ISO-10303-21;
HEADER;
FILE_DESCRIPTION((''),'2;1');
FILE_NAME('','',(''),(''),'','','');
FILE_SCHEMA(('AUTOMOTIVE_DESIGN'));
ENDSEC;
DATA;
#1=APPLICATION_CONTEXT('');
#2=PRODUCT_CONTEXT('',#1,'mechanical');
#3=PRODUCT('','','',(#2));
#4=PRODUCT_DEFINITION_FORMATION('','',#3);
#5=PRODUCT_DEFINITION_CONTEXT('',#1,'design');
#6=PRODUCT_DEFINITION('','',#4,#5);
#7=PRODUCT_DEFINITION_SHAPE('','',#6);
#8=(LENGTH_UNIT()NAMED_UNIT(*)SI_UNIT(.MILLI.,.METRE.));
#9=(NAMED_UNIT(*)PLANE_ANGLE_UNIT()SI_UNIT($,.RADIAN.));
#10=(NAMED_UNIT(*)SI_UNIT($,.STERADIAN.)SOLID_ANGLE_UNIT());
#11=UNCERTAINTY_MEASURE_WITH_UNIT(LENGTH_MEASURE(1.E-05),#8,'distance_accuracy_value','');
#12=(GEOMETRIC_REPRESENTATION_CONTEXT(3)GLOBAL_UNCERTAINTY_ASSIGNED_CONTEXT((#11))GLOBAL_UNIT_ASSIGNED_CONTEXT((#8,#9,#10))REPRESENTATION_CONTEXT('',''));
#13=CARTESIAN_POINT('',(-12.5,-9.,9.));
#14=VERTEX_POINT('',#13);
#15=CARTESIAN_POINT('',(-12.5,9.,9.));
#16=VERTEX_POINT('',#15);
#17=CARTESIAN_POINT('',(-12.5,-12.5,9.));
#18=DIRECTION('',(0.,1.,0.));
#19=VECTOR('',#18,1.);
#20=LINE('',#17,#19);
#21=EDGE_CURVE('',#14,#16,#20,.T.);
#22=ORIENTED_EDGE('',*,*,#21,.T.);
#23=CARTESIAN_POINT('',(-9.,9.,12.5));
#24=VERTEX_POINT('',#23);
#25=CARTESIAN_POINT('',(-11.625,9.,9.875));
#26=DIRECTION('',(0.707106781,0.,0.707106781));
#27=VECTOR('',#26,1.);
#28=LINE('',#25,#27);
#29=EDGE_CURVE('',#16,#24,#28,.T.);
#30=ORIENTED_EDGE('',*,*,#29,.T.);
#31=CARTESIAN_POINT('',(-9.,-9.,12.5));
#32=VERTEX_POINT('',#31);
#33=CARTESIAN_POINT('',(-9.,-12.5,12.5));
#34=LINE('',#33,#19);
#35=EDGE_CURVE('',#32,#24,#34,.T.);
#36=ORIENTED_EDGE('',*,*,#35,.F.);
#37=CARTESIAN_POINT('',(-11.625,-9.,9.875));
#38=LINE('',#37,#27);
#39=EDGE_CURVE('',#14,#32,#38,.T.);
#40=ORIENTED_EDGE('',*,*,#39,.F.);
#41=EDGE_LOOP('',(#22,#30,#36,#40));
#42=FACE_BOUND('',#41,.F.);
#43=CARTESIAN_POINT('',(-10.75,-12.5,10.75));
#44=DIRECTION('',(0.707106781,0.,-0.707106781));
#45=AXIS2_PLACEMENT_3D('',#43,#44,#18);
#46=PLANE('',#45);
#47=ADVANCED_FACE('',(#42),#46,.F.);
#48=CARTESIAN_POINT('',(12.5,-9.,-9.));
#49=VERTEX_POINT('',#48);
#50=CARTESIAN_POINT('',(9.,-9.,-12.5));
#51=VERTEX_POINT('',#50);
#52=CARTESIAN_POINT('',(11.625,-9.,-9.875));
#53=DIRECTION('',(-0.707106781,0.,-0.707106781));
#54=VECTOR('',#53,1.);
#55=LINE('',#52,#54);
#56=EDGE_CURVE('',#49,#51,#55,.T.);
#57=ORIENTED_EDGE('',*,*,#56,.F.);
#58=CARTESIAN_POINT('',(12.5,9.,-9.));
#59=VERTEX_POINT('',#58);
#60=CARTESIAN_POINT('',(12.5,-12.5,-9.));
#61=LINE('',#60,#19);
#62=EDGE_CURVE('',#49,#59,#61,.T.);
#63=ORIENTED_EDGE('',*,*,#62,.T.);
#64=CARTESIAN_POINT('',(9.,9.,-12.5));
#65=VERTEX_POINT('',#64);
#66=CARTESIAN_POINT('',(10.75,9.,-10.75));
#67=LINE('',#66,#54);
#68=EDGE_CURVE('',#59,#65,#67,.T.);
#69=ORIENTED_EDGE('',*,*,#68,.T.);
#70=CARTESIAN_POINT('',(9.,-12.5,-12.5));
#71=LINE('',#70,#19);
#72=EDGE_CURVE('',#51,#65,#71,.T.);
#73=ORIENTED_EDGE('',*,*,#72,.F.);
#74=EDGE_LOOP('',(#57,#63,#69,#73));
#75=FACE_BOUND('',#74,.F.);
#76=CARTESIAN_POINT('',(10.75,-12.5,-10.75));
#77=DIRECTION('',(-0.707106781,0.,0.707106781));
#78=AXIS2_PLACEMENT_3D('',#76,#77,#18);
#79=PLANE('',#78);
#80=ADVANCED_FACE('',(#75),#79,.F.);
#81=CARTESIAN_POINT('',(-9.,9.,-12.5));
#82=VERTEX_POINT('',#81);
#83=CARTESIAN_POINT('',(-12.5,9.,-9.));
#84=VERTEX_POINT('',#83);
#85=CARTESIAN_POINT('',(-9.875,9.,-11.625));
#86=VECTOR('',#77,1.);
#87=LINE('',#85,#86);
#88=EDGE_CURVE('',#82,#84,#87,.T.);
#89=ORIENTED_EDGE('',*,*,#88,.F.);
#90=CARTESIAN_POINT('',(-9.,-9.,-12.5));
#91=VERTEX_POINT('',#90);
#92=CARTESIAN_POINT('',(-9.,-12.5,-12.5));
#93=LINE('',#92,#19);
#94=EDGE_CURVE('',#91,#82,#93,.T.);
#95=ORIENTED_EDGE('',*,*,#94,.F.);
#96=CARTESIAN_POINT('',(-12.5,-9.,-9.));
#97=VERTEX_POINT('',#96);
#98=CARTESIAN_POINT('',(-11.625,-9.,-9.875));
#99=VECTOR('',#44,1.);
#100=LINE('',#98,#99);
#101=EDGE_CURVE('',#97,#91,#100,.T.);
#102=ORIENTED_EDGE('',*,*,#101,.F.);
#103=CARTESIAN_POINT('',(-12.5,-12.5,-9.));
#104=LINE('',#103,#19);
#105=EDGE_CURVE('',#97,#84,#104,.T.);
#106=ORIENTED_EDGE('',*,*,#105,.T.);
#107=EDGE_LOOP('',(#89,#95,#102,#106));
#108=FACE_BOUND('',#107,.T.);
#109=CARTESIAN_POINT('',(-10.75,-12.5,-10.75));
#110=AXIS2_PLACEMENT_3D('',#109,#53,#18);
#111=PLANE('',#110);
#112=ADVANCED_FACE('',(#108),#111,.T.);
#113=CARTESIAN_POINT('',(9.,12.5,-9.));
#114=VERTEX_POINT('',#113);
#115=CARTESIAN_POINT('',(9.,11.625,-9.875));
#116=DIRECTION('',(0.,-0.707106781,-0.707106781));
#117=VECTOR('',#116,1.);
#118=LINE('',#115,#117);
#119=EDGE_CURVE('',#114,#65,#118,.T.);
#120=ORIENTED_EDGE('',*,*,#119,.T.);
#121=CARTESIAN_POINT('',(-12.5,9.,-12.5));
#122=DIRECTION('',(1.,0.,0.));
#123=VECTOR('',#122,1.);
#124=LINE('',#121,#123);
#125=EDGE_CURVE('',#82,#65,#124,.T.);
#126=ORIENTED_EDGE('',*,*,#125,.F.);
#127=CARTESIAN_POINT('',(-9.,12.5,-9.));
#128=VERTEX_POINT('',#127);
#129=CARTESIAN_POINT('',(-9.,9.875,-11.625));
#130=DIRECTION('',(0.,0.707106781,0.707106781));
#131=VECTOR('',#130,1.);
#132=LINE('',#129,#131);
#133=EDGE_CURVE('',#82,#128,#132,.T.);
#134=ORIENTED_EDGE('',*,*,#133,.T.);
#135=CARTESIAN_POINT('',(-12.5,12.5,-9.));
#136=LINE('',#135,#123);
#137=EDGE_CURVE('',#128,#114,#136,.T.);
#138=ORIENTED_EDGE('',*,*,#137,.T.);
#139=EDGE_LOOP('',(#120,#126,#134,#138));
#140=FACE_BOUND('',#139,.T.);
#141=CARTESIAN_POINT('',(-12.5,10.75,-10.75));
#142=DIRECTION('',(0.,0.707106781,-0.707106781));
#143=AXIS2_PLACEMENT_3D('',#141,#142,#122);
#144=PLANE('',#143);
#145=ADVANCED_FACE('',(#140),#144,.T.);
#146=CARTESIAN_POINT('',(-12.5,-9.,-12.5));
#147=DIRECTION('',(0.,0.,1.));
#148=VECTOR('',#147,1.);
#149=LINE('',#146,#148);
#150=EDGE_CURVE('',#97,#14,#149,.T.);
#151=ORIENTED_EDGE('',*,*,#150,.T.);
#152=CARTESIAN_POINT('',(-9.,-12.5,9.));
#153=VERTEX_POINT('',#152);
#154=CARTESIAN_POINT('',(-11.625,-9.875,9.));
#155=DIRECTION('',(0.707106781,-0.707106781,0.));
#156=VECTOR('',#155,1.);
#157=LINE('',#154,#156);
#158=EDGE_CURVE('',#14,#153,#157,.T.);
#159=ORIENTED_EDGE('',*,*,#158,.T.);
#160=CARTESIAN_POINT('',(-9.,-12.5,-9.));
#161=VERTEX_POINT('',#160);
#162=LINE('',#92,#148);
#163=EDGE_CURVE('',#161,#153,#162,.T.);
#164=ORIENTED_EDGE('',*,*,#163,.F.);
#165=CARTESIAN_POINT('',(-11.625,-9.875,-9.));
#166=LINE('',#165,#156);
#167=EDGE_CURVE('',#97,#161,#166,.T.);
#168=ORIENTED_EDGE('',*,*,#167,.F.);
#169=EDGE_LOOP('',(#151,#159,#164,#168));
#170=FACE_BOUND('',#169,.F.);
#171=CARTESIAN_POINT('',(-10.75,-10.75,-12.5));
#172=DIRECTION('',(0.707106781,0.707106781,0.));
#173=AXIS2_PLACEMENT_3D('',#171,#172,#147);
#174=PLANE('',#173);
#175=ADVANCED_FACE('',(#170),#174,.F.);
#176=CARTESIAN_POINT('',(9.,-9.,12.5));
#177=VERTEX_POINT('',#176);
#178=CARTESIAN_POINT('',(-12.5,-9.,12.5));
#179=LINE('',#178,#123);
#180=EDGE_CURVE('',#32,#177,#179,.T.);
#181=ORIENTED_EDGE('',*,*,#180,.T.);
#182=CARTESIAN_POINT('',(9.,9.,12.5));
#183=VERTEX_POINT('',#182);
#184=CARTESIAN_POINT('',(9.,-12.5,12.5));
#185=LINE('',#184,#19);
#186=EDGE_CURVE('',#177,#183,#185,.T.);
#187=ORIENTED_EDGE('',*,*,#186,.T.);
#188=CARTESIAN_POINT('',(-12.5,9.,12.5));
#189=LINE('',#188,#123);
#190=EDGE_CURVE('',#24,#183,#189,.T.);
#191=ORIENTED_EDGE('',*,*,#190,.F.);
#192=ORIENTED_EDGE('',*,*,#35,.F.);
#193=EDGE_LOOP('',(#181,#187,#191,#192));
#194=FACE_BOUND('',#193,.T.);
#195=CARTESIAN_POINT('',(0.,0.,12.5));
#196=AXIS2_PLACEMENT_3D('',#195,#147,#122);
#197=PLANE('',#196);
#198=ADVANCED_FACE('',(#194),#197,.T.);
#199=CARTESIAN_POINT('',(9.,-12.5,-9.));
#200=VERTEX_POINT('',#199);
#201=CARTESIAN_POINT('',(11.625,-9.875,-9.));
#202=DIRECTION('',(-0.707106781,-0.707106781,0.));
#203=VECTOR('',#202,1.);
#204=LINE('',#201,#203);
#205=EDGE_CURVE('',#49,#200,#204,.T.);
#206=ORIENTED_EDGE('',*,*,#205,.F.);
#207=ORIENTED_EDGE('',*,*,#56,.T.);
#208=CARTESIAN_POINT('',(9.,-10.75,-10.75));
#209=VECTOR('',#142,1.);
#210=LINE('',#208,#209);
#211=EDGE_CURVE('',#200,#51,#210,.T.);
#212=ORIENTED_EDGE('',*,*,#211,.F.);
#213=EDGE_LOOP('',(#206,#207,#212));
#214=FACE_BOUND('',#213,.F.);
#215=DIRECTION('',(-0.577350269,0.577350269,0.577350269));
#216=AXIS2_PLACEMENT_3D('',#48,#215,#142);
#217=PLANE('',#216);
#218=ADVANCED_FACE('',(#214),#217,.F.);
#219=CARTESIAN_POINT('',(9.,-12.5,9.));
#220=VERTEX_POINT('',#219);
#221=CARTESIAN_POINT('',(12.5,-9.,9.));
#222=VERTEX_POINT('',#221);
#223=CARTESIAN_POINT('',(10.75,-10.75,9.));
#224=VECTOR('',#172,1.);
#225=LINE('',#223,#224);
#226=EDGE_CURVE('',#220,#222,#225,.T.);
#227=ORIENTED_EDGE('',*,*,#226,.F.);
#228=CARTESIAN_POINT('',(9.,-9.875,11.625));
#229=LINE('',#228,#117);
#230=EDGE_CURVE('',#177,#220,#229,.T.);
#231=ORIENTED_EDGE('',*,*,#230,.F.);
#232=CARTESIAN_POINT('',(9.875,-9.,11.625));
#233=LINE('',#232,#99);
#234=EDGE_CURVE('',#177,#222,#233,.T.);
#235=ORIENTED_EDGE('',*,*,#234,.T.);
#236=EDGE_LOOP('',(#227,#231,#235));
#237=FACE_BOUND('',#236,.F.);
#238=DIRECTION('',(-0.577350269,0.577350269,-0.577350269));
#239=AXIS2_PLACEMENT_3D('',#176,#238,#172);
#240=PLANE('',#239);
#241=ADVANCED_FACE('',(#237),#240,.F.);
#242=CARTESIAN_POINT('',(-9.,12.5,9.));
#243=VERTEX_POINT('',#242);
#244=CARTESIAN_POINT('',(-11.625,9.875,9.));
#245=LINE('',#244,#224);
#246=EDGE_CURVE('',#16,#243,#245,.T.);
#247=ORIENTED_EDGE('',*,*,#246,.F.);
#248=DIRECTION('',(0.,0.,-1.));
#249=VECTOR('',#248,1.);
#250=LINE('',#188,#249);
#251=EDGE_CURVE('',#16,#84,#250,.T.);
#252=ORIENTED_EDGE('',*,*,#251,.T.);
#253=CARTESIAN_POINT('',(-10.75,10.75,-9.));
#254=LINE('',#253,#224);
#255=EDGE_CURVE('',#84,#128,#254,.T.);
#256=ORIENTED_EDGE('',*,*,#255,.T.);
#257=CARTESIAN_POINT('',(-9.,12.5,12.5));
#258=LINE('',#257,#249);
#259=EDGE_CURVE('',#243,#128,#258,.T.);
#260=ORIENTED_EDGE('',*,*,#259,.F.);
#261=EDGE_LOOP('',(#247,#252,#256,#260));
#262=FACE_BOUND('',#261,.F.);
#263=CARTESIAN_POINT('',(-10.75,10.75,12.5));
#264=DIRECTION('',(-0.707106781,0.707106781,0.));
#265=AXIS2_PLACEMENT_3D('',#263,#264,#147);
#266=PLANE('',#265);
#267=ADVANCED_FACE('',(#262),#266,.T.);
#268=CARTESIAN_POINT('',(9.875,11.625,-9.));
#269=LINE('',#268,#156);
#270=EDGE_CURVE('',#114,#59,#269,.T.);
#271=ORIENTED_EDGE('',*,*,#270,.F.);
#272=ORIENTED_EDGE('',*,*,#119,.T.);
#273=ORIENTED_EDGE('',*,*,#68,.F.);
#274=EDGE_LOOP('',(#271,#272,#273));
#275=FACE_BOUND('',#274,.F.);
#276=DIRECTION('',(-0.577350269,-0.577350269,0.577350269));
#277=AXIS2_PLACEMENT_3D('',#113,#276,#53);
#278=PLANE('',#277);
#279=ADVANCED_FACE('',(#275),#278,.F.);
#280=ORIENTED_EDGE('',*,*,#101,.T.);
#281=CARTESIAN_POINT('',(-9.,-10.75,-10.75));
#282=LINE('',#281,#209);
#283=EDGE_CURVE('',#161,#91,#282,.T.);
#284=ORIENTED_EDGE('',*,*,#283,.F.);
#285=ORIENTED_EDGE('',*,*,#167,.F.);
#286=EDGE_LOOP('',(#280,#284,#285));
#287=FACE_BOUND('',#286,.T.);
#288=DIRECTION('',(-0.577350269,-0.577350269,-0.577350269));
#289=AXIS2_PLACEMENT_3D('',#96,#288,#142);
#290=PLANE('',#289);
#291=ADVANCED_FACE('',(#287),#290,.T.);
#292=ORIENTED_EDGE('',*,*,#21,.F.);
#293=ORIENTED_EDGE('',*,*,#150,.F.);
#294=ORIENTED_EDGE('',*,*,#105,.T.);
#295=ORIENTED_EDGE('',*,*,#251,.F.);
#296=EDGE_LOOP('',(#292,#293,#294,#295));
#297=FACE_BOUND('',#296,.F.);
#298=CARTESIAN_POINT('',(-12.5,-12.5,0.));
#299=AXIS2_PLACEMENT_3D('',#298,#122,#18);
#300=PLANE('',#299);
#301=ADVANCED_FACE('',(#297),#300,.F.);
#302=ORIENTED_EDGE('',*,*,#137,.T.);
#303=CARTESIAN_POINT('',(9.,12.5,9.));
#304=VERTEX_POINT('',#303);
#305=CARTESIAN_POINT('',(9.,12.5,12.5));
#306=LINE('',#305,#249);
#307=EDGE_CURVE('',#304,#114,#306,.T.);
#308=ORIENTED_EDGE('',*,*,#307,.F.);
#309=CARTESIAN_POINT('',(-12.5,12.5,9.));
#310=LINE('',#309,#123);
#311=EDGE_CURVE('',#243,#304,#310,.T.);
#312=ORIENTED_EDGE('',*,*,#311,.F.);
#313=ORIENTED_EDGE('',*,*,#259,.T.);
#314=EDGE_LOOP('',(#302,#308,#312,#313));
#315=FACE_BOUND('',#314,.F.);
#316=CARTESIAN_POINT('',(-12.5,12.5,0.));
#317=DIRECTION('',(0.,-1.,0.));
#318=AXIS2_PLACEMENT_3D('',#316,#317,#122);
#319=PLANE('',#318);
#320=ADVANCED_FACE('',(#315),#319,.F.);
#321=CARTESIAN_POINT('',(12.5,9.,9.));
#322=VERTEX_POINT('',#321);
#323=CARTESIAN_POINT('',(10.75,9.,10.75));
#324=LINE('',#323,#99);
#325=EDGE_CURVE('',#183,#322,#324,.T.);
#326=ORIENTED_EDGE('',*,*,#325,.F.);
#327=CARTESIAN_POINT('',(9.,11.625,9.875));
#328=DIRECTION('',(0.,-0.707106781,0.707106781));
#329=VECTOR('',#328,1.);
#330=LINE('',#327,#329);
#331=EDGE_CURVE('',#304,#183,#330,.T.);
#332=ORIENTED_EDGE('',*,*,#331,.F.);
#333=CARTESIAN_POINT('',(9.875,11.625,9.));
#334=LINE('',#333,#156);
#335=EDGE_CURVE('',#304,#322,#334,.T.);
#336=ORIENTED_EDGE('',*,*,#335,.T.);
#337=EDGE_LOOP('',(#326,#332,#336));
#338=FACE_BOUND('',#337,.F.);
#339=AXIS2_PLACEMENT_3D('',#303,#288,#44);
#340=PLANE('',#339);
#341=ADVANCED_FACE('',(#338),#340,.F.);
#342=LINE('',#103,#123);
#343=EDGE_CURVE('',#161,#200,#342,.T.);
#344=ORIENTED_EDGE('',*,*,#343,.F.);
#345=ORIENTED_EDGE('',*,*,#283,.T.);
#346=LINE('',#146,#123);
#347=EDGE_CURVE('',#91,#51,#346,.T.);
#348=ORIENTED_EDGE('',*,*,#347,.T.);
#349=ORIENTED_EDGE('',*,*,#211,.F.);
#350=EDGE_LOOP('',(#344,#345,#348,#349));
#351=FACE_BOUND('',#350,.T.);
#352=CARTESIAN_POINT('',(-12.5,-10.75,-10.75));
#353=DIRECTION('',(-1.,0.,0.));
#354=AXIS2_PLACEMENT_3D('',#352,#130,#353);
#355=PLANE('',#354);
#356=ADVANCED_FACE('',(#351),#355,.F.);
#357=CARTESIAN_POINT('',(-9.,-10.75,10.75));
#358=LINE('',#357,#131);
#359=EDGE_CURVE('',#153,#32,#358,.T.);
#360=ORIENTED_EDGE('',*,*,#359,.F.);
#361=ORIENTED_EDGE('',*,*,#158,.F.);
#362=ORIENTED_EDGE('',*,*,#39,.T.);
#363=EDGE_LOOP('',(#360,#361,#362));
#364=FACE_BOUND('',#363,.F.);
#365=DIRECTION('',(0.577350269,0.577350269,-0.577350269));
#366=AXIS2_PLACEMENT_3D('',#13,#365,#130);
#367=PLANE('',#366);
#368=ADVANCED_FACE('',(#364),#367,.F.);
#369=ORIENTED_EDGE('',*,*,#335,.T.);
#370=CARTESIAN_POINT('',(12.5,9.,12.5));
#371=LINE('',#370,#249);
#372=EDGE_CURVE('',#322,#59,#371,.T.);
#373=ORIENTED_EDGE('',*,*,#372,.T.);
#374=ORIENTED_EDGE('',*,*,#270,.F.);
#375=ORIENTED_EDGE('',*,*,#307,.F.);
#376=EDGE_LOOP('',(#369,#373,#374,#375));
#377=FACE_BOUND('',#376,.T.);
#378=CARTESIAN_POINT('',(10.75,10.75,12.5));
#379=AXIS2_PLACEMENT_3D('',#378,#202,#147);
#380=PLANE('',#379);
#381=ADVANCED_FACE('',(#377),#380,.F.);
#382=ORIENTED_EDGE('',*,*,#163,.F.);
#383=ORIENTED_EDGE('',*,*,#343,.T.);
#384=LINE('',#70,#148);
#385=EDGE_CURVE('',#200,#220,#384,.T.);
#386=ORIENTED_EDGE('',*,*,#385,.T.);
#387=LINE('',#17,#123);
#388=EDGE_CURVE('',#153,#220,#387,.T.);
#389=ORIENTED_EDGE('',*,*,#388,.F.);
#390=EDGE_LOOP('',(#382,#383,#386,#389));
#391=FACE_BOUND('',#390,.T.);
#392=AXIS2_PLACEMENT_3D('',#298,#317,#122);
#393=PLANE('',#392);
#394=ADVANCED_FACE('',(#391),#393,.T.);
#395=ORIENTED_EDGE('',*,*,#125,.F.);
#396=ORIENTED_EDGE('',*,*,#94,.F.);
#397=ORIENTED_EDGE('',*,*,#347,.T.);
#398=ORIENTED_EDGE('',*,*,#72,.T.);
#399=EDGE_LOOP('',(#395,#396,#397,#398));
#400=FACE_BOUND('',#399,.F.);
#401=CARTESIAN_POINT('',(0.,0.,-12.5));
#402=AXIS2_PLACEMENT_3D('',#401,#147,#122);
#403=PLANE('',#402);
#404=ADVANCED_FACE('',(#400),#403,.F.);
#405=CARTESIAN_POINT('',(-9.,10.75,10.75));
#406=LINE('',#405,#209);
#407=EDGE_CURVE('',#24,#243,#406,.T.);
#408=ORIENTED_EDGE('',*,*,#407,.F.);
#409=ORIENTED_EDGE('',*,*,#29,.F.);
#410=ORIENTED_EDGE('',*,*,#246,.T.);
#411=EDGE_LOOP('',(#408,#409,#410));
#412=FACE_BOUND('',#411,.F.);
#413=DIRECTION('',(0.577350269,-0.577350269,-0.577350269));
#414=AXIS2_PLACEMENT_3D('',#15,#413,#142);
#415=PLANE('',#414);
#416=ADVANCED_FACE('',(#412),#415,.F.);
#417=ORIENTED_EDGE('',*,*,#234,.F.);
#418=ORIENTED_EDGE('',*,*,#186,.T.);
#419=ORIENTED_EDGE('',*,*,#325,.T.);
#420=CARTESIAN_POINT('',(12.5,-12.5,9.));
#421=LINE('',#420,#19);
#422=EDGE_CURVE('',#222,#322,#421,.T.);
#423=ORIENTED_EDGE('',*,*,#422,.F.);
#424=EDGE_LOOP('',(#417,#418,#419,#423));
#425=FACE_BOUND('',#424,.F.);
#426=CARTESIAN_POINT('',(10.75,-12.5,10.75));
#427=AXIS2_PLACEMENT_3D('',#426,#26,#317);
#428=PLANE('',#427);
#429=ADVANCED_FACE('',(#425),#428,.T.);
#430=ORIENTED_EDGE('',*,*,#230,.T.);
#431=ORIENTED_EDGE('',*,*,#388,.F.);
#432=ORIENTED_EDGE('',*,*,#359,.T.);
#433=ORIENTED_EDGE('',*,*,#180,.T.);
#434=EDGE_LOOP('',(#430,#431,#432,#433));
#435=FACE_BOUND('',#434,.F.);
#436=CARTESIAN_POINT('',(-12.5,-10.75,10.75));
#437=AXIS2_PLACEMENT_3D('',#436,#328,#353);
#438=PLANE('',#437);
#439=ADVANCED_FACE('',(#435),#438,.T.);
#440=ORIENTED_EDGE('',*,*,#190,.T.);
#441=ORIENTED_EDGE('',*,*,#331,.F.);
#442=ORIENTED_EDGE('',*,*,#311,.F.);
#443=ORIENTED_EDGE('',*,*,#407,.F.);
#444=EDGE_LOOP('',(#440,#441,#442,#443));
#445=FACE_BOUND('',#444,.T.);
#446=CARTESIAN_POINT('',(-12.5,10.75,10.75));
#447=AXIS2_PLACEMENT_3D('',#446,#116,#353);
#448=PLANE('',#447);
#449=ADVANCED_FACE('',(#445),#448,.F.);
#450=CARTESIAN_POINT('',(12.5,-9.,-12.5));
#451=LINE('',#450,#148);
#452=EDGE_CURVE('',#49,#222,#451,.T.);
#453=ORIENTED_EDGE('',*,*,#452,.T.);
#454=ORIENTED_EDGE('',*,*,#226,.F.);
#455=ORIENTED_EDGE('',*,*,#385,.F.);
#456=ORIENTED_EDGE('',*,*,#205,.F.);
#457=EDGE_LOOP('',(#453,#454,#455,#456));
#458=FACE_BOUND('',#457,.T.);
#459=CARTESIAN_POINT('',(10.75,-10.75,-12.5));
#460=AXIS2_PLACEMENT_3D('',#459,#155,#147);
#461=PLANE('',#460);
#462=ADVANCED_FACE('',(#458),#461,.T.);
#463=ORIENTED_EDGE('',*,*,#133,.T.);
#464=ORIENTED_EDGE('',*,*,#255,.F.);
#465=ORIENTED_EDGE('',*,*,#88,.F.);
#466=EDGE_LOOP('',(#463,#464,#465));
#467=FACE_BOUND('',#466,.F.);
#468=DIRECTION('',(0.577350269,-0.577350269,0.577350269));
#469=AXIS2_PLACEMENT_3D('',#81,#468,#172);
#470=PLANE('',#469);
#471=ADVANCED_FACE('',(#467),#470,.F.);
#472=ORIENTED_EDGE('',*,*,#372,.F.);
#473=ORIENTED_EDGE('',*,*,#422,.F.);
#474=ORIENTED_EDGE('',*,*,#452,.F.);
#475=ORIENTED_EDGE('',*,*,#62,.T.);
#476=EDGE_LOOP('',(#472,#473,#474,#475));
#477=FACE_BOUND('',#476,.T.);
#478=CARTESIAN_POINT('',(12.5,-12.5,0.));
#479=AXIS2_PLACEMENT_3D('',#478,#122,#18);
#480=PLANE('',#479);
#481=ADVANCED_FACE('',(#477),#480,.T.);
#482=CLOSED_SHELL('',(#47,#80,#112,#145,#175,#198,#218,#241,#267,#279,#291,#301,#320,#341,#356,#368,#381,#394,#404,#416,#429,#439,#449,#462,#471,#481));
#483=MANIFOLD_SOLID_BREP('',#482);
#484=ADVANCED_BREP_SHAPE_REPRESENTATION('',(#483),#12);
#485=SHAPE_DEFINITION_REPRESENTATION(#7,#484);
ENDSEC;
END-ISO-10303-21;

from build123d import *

# Parameters (mm, degrees)
F0_W     = 25
F0_H     = 25
F1_DEPTH = 12.5
F2_SIZE  = 3.5


with BuildPart() as f1:
    # F0 (on Top) → F1 (new body, symmetric)
    with BuildSketch(Plane.XY):
        Rectangle(F0_W, F0_H)
    extrude(amount=F1_DEPTH, both=True)

    # F2
    f2_edges = [f1.edges().sort_by_distance(p)[0] for p in [
        (0, -12.5, -12.5),
        (12.5, -12.5, 0),
        (0, -12.5, 12.5),
        (-12.5, -12.5, 0),
        (12.5, 0, 12.5),
        (0, 12.5, 12.5),
        (-12.5, 0, 12.5),
        (-12.5, 12.5, 0),
        (-12.5, 0, -12.5),
        (12.5, 0, -12.5),
        (12.5, 12.5, 0),
        (0, 12.5, -12.5),
    ]]
    chamfer(f2_edges, length=F2_SIZE)


solid = f1.part
